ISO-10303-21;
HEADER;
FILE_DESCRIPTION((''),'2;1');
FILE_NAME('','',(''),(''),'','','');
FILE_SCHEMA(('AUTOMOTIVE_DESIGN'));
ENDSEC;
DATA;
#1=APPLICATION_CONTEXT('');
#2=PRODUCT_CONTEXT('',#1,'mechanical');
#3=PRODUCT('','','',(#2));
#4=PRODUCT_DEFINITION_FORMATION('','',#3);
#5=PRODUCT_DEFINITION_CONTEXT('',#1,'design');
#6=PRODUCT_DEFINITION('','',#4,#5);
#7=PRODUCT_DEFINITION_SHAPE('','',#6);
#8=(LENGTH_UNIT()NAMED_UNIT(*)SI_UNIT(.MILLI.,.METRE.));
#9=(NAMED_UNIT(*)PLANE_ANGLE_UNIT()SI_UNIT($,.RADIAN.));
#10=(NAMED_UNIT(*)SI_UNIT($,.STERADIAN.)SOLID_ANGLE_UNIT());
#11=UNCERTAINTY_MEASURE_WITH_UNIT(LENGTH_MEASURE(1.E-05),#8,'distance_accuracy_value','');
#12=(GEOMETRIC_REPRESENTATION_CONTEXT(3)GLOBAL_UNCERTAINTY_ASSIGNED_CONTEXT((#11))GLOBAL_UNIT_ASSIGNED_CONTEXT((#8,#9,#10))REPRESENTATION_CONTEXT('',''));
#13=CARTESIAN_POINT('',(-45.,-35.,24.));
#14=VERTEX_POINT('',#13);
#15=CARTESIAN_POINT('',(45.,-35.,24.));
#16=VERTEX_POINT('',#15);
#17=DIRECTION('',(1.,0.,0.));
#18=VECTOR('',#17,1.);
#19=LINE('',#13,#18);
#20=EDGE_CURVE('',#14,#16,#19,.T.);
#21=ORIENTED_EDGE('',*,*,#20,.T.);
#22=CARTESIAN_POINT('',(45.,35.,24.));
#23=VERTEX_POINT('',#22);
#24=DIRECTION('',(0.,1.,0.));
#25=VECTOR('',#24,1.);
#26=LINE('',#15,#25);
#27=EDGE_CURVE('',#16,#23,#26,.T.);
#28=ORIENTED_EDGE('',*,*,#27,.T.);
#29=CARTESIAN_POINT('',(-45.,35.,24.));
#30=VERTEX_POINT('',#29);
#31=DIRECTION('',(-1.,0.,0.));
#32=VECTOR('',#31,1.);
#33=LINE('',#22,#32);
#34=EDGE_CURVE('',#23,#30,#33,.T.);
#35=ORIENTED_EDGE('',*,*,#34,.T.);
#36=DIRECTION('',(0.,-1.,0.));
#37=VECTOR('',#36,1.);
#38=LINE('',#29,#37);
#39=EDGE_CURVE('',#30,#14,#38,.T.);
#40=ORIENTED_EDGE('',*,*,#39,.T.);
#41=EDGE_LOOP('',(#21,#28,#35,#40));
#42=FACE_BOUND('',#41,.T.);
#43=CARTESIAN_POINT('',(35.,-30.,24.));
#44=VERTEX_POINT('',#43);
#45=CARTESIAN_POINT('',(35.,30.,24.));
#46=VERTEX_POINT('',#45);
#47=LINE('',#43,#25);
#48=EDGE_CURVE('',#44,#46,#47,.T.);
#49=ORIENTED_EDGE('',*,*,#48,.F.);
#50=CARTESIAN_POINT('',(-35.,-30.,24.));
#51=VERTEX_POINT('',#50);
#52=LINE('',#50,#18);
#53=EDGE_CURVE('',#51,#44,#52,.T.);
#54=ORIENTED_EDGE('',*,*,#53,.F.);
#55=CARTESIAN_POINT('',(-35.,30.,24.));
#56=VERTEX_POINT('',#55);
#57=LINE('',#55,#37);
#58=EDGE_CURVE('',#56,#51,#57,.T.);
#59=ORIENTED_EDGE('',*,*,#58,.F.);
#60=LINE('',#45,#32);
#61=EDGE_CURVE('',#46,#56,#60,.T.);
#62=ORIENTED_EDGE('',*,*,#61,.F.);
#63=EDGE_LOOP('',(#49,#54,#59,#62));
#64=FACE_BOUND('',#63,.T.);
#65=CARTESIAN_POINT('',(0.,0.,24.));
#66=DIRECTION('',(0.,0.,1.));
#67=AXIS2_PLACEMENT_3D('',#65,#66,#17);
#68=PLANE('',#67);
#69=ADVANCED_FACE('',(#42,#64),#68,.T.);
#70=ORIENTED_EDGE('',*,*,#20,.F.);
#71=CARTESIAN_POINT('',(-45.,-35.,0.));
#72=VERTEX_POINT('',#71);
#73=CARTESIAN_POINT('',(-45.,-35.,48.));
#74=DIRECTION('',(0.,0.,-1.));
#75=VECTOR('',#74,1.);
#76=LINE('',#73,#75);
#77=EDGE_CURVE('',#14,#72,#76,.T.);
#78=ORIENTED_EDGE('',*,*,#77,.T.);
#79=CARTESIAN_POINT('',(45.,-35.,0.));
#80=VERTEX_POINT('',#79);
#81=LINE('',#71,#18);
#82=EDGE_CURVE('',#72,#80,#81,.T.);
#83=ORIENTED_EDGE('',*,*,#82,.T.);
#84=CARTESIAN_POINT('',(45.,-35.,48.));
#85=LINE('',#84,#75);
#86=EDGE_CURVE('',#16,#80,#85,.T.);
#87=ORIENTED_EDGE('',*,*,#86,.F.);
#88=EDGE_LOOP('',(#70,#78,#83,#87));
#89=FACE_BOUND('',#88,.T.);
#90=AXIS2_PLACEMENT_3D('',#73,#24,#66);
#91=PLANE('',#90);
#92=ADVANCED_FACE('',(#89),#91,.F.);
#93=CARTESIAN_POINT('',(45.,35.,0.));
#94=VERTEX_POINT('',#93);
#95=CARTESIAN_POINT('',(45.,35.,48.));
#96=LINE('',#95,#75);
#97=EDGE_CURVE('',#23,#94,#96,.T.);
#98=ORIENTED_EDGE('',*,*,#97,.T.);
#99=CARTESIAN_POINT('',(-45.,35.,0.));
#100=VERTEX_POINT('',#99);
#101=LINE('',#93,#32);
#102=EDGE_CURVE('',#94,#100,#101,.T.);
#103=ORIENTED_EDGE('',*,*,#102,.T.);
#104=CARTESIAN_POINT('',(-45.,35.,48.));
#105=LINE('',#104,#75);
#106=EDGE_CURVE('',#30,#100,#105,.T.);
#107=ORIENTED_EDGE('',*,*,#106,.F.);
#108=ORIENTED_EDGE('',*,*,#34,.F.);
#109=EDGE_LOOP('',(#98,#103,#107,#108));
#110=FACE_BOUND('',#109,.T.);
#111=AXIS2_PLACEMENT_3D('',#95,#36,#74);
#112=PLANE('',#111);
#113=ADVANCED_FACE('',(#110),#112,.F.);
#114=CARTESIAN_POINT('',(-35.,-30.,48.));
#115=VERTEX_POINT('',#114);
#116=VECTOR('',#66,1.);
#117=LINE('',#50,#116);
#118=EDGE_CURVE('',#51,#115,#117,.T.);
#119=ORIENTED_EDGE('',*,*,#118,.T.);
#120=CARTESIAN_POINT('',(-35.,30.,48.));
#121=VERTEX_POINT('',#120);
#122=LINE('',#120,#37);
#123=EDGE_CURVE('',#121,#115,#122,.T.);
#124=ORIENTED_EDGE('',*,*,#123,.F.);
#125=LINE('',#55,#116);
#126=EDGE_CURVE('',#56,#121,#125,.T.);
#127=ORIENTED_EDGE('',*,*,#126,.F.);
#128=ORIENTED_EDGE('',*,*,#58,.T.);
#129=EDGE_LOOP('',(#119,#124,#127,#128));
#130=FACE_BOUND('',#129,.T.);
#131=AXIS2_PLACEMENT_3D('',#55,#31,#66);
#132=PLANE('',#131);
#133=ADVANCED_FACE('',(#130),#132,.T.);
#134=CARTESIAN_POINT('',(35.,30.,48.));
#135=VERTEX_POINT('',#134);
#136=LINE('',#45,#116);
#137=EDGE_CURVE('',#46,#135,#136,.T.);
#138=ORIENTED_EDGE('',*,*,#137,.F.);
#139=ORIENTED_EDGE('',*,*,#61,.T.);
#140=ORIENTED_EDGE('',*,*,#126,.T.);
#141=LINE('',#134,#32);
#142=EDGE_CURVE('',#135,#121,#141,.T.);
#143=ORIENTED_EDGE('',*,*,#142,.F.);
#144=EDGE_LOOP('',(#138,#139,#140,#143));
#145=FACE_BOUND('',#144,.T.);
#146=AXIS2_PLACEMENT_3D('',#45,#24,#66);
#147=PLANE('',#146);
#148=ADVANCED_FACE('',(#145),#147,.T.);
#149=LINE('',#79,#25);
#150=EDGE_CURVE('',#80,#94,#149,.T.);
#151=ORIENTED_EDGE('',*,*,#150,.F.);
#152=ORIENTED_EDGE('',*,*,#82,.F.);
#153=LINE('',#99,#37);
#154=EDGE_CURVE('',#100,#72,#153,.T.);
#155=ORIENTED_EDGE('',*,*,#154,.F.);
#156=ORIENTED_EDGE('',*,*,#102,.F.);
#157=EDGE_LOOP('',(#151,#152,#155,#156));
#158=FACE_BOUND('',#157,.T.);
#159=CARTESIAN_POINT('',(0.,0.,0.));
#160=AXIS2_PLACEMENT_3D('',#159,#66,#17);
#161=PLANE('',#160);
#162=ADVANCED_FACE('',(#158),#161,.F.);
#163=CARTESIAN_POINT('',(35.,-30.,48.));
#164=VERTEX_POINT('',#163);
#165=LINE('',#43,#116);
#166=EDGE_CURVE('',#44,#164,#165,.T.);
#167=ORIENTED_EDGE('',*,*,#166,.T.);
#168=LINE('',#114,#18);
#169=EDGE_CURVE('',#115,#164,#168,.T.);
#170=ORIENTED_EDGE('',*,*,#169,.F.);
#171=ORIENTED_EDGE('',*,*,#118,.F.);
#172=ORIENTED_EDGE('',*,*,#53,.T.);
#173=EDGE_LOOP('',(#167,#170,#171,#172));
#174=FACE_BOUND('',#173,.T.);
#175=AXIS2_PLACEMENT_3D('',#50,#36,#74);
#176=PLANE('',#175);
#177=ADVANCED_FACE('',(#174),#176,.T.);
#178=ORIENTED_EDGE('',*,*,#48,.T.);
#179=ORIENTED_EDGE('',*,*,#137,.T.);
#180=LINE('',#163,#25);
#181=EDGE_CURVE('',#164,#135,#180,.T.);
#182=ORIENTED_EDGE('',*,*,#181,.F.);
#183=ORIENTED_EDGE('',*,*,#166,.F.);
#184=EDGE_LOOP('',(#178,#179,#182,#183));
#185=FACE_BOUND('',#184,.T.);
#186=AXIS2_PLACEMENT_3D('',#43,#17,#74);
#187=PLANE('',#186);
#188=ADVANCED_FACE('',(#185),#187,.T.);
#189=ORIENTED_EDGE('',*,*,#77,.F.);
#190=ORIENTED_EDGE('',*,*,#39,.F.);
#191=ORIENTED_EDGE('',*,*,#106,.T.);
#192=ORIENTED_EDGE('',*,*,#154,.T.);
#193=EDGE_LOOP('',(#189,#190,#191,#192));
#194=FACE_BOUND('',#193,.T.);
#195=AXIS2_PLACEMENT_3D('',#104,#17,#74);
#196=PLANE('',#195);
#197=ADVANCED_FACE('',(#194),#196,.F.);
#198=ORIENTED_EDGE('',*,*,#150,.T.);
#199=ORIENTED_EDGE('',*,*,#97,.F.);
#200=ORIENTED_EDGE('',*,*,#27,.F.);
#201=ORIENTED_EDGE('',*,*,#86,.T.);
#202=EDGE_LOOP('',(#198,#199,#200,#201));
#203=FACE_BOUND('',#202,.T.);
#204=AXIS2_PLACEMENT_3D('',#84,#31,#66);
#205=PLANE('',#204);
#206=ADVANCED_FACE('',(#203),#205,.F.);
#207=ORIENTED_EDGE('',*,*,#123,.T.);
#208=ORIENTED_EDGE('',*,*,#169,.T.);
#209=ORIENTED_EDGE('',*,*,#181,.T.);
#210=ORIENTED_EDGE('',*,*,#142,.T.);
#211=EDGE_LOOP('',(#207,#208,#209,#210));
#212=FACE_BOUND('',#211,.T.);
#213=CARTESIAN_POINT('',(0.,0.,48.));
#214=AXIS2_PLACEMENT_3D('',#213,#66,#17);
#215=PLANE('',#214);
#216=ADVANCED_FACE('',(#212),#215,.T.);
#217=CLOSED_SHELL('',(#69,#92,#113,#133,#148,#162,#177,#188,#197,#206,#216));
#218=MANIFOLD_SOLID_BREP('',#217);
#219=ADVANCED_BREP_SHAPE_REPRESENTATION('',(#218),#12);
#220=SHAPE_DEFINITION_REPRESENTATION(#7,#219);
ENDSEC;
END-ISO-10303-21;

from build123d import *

# Parameters (mm, degrees)
SKETCH_1_W           = 90
SKETCH_1_H           = 70
EXTRUDE_1_DEPTH      = 48
SKETCH_2_OUTSIDE_W   = 116.742
SKETCH_2_OUTSIDE_H   = 96.742
SKETCH_2_OUTSIDE_W_2 = 70
SKETCH_2_OUTSIDE_H_2 = 60
CUT_EXTRUDE_1_DEPTH  = 24


with BuildPart() as part:
    # 草图1 → 凸台-拉伸1 (new body)
    with BuildSketch(Plane.XY):
        Rectangle(SKETCH_1_W, SKETCH_1_H)
    extrude(amount=EXTRUDE_1_DEPTH)

    # 草图2 outside → 切除-拉伸1 (cut)
    with BuildSketch(Plane.XY.offset(48)):
        Rectangle(SKETCH_2_OUTSIDE_W, SKETCH_2_OUTSIDE_H)
        Rectangle(SKETCH_2_OUTSIDE_W_2, SKETCH_2_OUTSIDE_H_2, mode=Mode.SUBTRACT)
    extrude(amount=-CUT_EXTRUDE_1_DEPTH, mode=Mode.SUBTRACT)


solid = part.part
